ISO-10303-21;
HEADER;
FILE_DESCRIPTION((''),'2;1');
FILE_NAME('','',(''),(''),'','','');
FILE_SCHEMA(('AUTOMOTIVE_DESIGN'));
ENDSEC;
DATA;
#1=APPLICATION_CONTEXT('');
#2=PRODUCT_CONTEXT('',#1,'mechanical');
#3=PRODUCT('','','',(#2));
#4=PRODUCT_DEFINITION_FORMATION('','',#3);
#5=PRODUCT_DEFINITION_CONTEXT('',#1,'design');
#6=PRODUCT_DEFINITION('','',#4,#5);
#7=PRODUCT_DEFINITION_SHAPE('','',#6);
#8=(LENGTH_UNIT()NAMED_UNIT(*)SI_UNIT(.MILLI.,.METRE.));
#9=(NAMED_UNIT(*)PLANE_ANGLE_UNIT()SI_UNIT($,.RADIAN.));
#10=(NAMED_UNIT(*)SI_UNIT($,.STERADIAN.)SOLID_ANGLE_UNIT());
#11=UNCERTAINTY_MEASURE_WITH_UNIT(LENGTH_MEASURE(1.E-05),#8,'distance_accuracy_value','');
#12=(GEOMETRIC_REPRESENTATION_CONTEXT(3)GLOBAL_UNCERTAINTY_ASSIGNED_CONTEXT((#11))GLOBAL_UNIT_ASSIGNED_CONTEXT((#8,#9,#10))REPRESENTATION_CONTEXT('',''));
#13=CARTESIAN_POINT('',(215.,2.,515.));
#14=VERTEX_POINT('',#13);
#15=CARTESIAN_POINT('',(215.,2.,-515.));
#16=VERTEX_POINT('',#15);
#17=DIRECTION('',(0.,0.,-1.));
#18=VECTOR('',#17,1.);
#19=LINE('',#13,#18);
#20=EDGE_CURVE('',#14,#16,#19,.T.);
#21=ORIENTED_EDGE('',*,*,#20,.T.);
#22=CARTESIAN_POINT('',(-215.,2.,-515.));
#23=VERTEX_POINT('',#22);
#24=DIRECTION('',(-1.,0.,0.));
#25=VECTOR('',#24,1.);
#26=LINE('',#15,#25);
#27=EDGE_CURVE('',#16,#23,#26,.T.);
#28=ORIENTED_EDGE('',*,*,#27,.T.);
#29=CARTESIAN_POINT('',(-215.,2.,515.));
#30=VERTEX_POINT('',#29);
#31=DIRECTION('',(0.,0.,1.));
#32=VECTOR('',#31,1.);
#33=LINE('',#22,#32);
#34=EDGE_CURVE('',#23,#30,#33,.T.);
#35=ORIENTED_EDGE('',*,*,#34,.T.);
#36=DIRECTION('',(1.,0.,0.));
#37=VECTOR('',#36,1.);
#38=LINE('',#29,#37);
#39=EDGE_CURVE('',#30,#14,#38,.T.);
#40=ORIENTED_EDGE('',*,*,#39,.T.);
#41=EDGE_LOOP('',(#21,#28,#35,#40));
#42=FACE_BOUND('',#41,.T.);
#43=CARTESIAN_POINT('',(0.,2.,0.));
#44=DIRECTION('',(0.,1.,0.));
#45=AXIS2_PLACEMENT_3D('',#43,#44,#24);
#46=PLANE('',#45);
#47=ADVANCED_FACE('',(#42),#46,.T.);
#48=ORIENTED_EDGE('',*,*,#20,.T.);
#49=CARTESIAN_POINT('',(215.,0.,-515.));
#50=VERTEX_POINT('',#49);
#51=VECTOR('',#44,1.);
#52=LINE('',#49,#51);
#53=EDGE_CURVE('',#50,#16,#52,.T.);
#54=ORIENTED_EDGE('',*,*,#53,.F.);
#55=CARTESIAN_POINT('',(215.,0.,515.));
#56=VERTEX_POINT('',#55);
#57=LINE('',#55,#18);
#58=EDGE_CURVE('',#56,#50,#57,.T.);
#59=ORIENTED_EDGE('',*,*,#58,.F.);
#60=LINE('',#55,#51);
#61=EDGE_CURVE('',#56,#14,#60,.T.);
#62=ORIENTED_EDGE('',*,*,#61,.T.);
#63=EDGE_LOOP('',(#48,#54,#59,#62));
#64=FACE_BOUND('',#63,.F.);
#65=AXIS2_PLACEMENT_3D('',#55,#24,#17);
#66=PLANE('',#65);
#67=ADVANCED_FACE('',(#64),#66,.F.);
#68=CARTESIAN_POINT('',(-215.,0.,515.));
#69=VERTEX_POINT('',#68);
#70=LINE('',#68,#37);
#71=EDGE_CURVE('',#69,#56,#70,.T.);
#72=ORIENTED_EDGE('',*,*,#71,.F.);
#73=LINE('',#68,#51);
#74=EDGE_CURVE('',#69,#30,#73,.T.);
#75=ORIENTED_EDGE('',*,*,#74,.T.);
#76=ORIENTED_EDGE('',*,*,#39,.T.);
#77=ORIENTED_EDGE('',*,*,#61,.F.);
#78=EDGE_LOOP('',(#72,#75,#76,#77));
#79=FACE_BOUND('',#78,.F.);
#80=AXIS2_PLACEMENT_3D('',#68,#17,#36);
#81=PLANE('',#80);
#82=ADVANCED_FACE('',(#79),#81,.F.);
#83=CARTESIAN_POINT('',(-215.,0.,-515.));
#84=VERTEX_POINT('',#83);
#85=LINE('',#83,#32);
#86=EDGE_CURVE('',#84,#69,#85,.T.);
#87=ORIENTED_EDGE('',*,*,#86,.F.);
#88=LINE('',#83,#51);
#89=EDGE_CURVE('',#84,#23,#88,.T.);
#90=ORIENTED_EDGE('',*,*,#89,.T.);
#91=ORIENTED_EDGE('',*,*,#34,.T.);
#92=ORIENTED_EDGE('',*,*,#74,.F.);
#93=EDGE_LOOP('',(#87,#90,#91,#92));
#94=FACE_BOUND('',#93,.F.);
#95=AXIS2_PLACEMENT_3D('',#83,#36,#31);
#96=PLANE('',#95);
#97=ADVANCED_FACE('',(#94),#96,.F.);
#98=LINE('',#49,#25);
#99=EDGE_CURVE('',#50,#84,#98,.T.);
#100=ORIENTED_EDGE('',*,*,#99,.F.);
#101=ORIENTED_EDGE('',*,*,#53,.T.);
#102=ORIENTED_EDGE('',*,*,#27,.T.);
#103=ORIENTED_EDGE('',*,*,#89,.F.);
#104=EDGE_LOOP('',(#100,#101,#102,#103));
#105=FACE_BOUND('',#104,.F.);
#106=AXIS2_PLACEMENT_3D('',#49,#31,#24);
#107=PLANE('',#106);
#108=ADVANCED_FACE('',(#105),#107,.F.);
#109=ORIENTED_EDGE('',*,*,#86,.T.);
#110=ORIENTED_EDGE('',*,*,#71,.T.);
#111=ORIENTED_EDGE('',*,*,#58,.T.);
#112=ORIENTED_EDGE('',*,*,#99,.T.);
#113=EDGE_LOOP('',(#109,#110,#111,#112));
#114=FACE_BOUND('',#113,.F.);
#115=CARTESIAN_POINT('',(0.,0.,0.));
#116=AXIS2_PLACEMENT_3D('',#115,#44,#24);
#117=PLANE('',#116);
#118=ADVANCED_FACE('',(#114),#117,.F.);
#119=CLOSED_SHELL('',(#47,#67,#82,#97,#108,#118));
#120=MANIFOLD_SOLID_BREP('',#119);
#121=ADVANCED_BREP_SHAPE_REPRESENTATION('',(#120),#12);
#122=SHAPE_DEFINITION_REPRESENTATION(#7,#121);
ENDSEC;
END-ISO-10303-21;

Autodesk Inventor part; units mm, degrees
ref_plane "YZ Plane" through (0, 0, 0) normal (1, 0, 0) x (0, 1, 0)
ref_plane "XZ Plane" through (0, 0, 0) normal (0, 1, 0) x (-1, 0, 0)
ref_plane "XY Plane" through (0, 0, 0) normal (0, 0, 1) x (1, 0, 0)
sketch "Sketch1" plane through (0, 0, 0) normal (0, 1, 0) x (-1, 0, 0)
  line L0 (215, 515) -> (-215, 515)
  line L1 (-215, 515) -> (-215, -515)
  line L2 (-215, -515) -> (215, -515)
  line L3 (215, -515) -> (215, 515)
  line L4 (215, 515) -> (-215, -515) construction
  line L5 (-215, 515) -> (215, -515) construction
  point P0 (0, 0)
  dimension "d0" = 430
  dimension "d1" = 1030
extrude "Plate1" add sketch "Sketch1" along normal blind 2
equation "\"d2\" = Thickness"
equation "\"BendRadius\" = Thickness"
equation "\"BendReliefWidth\" = Thickness"
equation "\"BendReliefDepth\" = 0.5 * Thickness"
equation "\"CornerReliefSize\" = 4 * Thickness"
equation "\"MinimumRemnant\" = 2 * Thickness"
equation "\"TransitionRadius\" = BendRadius"
equation "\"JacobiRadiusSize\" = BendRadius"
equation "\"GapSize\" = Thickness"
equation "\"Thickness\" = 2"
properties part number "mid Base2"
